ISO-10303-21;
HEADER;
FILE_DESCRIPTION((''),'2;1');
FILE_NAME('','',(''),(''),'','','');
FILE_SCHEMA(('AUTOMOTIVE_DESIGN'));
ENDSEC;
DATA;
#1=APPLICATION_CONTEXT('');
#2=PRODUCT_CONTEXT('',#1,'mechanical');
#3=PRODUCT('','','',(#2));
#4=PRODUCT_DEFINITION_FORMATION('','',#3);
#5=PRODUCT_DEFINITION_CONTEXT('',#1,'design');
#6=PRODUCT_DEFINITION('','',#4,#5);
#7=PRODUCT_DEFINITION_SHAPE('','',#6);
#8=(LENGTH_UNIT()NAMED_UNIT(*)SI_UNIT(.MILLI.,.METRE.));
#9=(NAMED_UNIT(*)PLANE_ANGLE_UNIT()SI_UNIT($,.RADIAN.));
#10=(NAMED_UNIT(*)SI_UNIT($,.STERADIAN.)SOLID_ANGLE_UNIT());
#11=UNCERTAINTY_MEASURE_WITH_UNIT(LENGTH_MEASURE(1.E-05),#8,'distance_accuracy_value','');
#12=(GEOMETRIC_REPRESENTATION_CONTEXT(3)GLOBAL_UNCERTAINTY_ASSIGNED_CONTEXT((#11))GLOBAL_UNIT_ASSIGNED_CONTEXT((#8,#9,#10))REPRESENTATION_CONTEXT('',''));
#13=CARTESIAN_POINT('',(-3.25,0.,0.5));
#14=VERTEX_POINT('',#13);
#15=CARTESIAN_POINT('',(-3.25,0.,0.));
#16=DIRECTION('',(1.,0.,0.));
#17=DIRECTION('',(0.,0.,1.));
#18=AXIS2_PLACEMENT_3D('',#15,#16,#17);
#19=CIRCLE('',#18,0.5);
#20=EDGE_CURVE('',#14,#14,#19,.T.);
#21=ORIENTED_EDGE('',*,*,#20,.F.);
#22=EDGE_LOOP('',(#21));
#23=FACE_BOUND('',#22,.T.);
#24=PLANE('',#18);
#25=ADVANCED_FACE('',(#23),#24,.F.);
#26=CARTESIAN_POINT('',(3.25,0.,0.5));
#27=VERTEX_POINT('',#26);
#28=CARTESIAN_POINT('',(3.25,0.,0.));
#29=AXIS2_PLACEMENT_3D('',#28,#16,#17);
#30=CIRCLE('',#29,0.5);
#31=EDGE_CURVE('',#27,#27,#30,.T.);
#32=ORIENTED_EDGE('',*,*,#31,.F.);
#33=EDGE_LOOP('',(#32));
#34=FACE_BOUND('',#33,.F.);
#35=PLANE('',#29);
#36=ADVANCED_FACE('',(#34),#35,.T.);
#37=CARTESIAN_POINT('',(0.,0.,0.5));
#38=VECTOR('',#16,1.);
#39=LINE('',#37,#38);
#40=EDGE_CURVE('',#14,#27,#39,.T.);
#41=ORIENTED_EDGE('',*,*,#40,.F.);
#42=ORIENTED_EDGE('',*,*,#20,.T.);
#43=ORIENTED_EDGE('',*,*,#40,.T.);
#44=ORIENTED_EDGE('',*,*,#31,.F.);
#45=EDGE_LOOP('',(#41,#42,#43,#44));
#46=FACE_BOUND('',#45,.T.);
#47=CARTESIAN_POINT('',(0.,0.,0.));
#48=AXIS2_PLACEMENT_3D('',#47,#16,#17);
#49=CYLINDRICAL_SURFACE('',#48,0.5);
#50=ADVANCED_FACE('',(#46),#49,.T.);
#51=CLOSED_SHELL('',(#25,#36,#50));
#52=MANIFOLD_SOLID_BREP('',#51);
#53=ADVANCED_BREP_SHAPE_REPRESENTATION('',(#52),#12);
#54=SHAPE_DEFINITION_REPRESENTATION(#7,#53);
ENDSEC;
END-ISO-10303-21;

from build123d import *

# Parameters (mm, degrees)
F0_W     = 13
F0_H     = 1
F2_SCALE = 0.5


with BuildPart() as f1:
    # F0 (on Front) → F1 (revolve)
    with BuildSketch(Plane.XZ):
        with Locations((0, 0.5)):
            Rectangle(F0_W, F0_H)
    revolve(axis=Axis((0, 0, 0), (1, 0, 0)))


with BuildPart() as f1_1:
    # F2: moved
    add(f1.part.scale(F2_SCALE))


solid = f1_1.part
